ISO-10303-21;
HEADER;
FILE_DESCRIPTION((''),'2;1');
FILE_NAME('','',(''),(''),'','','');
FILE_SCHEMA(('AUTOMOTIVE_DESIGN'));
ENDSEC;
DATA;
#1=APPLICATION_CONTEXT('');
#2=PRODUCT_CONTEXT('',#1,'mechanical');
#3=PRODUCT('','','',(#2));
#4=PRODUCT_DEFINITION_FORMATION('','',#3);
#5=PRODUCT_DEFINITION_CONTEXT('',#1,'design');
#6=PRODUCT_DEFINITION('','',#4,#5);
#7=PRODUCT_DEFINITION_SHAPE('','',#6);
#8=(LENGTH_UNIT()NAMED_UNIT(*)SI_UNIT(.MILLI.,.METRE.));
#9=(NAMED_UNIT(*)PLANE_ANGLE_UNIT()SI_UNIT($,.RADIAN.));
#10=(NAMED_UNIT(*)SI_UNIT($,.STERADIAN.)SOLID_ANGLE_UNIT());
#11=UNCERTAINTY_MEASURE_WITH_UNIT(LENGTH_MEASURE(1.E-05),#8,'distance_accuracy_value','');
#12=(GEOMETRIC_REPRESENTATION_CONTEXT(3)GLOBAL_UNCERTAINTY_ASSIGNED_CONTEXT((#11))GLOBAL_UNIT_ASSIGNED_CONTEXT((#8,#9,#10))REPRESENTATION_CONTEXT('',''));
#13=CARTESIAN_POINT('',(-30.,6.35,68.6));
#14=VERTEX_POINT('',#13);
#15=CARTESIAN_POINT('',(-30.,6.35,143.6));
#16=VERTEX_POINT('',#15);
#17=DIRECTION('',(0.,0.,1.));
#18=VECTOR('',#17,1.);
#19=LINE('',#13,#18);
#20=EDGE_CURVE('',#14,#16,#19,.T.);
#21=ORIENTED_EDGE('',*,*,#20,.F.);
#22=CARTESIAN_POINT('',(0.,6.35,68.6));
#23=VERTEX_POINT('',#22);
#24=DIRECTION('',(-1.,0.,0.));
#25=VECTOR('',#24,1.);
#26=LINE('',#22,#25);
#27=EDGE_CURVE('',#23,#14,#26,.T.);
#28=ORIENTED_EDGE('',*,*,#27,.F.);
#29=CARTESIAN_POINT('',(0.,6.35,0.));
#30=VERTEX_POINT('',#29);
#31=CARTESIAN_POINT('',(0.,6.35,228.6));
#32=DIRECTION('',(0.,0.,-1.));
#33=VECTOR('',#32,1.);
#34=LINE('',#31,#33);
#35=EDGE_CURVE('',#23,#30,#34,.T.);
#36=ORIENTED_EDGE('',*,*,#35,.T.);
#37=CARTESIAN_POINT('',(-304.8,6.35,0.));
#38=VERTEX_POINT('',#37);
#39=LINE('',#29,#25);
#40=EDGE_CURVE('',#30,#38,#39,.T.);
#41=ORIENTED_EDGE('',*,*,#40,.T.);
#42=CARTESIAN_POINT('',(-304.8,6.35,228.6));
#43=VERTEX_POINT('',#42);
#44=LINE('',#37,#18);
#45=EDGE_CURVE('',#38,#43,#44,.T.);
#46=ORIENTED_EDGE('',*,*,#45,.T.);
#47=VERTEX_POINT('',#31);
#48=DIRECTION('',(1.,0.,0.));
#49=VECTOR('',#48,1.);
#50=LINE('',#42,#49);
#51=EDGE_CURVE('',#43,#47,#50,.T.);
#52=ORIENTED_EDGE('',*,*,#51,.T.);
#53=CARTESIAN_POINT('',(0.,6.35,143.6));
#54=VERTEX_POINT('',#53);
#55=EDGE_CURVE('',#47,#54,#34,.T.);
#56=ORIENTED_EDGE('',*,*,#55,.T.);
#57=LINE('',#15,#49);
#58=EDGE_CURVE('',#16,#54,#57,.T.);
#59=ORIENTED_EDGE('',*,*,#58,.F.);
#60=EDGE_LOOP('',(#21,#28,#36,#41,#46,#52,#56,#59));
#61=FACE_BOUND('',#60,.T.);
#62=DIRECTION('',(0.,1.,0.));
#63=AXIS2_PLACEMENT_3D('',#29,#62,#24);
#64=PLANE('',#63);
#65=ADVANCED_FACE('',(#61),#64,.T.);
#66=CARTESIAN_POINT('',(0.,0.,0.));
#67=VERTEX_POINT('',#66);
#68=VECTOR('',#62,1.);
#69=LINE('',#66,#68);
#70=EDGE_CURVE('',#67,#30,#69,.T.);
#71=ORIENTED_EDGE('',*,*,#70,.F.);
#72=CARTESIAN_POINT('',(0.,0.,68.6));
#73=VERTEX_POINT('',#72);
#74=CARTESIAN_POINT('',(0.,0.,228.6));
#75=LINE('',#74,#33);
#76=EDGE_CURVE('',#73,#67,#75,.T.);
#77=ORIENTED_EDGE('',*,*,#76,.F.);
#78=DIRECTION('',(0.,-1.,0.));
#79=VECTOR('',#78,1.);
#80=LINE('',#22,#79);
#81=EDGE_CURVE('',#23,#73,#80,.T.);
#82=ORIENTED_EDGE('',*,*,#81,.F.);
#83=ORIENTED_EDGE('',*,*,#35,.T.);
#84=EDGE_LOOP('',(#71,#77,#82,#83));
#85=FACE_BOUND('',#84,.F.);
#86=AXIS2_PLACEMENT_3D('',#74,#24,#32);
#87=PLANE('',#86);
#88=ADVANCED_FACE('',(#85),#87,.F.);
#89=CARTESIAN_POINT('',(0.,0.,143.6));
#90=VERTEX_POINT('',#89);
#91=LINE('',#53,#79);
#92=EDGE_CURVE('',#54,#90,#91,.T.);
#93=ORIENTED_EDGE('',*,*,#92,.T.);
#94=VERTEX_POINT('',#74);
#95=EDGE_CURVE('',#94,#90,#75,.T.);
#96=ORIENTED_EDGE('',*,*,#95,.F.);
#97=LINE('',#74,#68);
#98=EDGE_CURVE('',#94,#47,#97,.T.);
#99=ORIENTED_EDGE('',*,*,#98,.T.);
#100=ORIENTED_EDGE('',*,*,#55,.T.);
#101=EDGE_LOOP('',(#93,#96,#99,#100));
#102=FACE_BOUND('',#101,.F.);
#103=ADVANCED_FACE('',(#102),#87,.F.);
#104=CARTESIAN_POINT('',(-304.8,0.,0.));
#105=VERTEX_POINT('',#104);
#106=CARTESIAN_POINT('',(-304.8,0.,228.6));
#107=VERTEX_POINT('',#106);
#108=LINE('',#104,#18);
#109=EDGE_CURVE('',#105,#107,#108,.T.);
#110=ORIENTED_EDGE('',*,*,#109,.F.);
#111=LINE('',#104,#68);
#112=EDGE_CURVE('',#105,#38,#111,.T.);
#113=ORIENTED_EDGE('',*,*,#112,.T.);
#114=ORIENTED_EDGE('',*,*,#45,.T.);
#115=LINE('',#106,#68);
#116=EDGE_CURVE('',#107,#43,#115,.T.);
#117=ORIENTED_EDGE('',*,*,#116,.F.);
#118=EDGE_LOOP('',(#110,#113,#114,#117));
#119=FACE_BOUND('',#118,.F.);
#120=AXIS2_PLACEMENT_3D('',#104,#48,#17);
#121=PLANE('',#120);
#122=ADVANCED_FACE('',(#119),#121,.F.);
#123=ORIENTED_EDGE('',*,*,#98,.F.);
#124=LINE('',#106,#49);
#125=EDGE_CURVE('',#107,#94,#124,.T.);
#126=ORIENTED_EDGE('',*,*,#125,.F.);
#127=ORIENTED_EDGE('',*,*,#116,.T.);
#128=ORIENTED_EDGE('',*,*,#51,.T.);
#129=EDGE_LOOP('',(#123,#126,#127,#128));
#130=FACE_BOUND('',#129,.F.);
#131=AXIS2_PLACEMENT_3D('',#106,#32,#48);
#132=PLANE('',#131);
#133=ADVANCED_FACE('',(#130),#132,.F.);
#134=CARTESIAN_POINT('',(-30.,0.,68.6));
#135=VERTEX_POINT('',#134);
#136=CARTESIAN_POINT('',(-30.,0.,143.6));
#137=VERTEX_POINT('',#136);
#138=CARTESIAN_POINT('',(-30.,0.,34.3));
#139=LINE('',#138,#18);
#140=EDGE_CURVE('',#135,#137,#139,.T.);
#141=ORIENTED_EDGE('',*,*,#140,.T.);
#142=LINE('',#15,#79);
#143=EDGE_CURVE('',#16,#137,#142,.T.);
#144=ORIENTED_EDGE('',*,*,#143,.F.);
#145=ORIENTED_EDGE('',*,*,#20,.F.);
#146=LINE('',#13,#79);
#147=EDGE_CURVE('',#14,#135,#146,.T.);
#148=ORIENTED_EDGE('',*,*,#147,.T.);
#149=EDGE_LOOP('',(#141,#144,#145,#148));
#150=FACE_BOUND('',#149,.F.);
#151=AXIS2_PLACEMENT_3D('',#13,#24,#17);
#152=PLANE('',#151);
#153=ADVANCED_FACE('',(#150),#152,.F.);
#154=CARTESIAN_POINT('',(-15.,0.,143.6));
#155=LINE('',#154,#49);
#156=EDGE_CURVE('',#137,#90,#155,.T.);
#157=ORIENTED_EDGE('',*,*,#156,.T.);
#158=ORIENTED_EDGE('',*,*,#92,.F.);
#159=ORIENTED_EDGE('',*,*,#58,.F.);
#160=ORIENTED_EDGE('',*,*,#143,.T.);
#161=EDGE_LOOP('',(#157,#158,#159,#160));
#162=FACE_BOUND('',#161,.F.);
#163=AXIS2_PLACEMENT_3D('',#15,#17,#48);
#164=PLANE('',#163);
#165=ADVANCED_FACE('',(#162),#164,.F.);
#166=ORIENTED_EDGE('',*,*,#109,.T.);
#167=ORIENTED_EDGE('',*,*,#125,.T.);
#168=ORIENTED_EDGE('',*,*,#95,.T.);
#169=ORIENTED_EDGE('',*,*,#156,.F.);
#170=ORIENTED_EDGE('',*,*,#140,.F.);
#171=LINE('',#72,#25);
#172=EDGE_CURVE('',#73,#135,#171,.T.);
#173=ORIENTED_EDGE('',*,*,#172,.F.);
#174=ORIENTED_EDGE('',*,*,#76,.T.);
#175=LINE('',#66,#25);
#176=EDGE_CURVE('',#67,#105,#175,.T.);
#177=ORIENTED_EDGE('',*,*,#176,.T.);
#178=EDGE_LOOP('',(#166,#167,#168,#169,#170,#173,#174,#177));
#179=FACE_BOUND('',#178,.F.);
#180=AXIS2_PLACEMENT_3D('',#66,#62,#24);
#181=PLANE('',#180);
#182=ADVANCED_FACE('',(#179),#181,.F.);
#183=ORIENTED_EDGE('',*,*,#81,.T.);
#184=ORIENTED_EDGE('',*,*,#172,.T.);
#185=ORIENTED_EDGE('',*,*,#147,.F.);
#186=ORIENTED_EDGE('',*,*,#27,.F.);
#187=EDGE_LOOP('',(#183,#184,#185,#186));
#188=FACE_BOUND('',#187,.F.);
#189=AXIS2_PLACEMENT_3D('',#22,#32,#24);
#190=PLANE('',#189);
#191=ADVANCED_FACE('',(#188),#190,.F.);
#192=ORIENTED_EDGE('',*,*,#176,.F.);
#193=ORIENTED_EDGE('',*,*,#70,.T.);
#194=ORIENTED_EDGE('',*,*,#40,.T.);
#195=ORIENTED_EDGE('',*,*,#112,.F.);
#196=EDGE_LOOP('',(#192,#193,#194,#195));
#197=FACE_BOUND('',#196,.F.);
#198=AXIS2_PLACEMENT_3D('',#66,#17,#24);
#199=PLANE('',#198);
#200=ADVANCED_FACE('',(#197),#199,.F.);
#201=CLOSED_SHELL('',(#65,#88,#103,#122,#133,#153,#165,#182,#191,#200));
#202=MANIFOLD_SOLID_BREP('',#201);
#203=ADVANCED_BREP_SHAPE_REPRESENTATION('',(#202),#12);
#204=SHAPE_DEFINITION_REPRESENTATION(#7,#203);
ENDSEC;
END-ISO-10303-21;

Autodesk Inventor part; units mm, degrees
ref_plane "YZ Plane" through (0, 0, 0) normal (1, 0, 0) x (0, 1, 0)
ref_plane "XZ Plane" through (0, 0, 0) normal (0, 1, 0) x (-1, 0, 0)
ref_plane "XY Plane" through (0, 0, 0) normal (0, 0, 1) x (1, 0, 0)
sketch "Sketch1" plane through (0, 0, 0) normal (0, 1, 0) x (-1, 0, 0)
  line L0 (0, 0) -> (304.8, 0)
  line L1 (304.8, 0) -> (304.8, 228.6)
  line L2 (304.8, 228.6) -> (0, 228.6)
  line L3 (0, 228.6) -> (0, 0)
  dimension "d0" = 228.6
  dimension "d1" = 304.8
extrude "Extrusion1" add sketch "Sketch1" along normal blind 6.35
sketch "Sketch2" plane through (0, 6.35, 0) normal (0, 1, 0) x (1, 0, 0)
  line L0 (0, -228.6) -> (0, 0) projected
  line L1 (0, -68.6) -> (-30, -68.6)
  line L2 (-30, -68.6) -> (-30, -143.6)
  line L3 (-30, -143.6) -> (0, -143.6)
  line L4 (0, -143.6) -> (0, -68.6)
  line L5 (-304.8, -228.6) -> (0, -228.6) projected
  dimension "d4" = 75
  dimension "d5" = 85
  dimension "d6" = 30
extrude "Extrusion2" cut sketch "Sketch2" against normal blind 10
properties part number "Board"
